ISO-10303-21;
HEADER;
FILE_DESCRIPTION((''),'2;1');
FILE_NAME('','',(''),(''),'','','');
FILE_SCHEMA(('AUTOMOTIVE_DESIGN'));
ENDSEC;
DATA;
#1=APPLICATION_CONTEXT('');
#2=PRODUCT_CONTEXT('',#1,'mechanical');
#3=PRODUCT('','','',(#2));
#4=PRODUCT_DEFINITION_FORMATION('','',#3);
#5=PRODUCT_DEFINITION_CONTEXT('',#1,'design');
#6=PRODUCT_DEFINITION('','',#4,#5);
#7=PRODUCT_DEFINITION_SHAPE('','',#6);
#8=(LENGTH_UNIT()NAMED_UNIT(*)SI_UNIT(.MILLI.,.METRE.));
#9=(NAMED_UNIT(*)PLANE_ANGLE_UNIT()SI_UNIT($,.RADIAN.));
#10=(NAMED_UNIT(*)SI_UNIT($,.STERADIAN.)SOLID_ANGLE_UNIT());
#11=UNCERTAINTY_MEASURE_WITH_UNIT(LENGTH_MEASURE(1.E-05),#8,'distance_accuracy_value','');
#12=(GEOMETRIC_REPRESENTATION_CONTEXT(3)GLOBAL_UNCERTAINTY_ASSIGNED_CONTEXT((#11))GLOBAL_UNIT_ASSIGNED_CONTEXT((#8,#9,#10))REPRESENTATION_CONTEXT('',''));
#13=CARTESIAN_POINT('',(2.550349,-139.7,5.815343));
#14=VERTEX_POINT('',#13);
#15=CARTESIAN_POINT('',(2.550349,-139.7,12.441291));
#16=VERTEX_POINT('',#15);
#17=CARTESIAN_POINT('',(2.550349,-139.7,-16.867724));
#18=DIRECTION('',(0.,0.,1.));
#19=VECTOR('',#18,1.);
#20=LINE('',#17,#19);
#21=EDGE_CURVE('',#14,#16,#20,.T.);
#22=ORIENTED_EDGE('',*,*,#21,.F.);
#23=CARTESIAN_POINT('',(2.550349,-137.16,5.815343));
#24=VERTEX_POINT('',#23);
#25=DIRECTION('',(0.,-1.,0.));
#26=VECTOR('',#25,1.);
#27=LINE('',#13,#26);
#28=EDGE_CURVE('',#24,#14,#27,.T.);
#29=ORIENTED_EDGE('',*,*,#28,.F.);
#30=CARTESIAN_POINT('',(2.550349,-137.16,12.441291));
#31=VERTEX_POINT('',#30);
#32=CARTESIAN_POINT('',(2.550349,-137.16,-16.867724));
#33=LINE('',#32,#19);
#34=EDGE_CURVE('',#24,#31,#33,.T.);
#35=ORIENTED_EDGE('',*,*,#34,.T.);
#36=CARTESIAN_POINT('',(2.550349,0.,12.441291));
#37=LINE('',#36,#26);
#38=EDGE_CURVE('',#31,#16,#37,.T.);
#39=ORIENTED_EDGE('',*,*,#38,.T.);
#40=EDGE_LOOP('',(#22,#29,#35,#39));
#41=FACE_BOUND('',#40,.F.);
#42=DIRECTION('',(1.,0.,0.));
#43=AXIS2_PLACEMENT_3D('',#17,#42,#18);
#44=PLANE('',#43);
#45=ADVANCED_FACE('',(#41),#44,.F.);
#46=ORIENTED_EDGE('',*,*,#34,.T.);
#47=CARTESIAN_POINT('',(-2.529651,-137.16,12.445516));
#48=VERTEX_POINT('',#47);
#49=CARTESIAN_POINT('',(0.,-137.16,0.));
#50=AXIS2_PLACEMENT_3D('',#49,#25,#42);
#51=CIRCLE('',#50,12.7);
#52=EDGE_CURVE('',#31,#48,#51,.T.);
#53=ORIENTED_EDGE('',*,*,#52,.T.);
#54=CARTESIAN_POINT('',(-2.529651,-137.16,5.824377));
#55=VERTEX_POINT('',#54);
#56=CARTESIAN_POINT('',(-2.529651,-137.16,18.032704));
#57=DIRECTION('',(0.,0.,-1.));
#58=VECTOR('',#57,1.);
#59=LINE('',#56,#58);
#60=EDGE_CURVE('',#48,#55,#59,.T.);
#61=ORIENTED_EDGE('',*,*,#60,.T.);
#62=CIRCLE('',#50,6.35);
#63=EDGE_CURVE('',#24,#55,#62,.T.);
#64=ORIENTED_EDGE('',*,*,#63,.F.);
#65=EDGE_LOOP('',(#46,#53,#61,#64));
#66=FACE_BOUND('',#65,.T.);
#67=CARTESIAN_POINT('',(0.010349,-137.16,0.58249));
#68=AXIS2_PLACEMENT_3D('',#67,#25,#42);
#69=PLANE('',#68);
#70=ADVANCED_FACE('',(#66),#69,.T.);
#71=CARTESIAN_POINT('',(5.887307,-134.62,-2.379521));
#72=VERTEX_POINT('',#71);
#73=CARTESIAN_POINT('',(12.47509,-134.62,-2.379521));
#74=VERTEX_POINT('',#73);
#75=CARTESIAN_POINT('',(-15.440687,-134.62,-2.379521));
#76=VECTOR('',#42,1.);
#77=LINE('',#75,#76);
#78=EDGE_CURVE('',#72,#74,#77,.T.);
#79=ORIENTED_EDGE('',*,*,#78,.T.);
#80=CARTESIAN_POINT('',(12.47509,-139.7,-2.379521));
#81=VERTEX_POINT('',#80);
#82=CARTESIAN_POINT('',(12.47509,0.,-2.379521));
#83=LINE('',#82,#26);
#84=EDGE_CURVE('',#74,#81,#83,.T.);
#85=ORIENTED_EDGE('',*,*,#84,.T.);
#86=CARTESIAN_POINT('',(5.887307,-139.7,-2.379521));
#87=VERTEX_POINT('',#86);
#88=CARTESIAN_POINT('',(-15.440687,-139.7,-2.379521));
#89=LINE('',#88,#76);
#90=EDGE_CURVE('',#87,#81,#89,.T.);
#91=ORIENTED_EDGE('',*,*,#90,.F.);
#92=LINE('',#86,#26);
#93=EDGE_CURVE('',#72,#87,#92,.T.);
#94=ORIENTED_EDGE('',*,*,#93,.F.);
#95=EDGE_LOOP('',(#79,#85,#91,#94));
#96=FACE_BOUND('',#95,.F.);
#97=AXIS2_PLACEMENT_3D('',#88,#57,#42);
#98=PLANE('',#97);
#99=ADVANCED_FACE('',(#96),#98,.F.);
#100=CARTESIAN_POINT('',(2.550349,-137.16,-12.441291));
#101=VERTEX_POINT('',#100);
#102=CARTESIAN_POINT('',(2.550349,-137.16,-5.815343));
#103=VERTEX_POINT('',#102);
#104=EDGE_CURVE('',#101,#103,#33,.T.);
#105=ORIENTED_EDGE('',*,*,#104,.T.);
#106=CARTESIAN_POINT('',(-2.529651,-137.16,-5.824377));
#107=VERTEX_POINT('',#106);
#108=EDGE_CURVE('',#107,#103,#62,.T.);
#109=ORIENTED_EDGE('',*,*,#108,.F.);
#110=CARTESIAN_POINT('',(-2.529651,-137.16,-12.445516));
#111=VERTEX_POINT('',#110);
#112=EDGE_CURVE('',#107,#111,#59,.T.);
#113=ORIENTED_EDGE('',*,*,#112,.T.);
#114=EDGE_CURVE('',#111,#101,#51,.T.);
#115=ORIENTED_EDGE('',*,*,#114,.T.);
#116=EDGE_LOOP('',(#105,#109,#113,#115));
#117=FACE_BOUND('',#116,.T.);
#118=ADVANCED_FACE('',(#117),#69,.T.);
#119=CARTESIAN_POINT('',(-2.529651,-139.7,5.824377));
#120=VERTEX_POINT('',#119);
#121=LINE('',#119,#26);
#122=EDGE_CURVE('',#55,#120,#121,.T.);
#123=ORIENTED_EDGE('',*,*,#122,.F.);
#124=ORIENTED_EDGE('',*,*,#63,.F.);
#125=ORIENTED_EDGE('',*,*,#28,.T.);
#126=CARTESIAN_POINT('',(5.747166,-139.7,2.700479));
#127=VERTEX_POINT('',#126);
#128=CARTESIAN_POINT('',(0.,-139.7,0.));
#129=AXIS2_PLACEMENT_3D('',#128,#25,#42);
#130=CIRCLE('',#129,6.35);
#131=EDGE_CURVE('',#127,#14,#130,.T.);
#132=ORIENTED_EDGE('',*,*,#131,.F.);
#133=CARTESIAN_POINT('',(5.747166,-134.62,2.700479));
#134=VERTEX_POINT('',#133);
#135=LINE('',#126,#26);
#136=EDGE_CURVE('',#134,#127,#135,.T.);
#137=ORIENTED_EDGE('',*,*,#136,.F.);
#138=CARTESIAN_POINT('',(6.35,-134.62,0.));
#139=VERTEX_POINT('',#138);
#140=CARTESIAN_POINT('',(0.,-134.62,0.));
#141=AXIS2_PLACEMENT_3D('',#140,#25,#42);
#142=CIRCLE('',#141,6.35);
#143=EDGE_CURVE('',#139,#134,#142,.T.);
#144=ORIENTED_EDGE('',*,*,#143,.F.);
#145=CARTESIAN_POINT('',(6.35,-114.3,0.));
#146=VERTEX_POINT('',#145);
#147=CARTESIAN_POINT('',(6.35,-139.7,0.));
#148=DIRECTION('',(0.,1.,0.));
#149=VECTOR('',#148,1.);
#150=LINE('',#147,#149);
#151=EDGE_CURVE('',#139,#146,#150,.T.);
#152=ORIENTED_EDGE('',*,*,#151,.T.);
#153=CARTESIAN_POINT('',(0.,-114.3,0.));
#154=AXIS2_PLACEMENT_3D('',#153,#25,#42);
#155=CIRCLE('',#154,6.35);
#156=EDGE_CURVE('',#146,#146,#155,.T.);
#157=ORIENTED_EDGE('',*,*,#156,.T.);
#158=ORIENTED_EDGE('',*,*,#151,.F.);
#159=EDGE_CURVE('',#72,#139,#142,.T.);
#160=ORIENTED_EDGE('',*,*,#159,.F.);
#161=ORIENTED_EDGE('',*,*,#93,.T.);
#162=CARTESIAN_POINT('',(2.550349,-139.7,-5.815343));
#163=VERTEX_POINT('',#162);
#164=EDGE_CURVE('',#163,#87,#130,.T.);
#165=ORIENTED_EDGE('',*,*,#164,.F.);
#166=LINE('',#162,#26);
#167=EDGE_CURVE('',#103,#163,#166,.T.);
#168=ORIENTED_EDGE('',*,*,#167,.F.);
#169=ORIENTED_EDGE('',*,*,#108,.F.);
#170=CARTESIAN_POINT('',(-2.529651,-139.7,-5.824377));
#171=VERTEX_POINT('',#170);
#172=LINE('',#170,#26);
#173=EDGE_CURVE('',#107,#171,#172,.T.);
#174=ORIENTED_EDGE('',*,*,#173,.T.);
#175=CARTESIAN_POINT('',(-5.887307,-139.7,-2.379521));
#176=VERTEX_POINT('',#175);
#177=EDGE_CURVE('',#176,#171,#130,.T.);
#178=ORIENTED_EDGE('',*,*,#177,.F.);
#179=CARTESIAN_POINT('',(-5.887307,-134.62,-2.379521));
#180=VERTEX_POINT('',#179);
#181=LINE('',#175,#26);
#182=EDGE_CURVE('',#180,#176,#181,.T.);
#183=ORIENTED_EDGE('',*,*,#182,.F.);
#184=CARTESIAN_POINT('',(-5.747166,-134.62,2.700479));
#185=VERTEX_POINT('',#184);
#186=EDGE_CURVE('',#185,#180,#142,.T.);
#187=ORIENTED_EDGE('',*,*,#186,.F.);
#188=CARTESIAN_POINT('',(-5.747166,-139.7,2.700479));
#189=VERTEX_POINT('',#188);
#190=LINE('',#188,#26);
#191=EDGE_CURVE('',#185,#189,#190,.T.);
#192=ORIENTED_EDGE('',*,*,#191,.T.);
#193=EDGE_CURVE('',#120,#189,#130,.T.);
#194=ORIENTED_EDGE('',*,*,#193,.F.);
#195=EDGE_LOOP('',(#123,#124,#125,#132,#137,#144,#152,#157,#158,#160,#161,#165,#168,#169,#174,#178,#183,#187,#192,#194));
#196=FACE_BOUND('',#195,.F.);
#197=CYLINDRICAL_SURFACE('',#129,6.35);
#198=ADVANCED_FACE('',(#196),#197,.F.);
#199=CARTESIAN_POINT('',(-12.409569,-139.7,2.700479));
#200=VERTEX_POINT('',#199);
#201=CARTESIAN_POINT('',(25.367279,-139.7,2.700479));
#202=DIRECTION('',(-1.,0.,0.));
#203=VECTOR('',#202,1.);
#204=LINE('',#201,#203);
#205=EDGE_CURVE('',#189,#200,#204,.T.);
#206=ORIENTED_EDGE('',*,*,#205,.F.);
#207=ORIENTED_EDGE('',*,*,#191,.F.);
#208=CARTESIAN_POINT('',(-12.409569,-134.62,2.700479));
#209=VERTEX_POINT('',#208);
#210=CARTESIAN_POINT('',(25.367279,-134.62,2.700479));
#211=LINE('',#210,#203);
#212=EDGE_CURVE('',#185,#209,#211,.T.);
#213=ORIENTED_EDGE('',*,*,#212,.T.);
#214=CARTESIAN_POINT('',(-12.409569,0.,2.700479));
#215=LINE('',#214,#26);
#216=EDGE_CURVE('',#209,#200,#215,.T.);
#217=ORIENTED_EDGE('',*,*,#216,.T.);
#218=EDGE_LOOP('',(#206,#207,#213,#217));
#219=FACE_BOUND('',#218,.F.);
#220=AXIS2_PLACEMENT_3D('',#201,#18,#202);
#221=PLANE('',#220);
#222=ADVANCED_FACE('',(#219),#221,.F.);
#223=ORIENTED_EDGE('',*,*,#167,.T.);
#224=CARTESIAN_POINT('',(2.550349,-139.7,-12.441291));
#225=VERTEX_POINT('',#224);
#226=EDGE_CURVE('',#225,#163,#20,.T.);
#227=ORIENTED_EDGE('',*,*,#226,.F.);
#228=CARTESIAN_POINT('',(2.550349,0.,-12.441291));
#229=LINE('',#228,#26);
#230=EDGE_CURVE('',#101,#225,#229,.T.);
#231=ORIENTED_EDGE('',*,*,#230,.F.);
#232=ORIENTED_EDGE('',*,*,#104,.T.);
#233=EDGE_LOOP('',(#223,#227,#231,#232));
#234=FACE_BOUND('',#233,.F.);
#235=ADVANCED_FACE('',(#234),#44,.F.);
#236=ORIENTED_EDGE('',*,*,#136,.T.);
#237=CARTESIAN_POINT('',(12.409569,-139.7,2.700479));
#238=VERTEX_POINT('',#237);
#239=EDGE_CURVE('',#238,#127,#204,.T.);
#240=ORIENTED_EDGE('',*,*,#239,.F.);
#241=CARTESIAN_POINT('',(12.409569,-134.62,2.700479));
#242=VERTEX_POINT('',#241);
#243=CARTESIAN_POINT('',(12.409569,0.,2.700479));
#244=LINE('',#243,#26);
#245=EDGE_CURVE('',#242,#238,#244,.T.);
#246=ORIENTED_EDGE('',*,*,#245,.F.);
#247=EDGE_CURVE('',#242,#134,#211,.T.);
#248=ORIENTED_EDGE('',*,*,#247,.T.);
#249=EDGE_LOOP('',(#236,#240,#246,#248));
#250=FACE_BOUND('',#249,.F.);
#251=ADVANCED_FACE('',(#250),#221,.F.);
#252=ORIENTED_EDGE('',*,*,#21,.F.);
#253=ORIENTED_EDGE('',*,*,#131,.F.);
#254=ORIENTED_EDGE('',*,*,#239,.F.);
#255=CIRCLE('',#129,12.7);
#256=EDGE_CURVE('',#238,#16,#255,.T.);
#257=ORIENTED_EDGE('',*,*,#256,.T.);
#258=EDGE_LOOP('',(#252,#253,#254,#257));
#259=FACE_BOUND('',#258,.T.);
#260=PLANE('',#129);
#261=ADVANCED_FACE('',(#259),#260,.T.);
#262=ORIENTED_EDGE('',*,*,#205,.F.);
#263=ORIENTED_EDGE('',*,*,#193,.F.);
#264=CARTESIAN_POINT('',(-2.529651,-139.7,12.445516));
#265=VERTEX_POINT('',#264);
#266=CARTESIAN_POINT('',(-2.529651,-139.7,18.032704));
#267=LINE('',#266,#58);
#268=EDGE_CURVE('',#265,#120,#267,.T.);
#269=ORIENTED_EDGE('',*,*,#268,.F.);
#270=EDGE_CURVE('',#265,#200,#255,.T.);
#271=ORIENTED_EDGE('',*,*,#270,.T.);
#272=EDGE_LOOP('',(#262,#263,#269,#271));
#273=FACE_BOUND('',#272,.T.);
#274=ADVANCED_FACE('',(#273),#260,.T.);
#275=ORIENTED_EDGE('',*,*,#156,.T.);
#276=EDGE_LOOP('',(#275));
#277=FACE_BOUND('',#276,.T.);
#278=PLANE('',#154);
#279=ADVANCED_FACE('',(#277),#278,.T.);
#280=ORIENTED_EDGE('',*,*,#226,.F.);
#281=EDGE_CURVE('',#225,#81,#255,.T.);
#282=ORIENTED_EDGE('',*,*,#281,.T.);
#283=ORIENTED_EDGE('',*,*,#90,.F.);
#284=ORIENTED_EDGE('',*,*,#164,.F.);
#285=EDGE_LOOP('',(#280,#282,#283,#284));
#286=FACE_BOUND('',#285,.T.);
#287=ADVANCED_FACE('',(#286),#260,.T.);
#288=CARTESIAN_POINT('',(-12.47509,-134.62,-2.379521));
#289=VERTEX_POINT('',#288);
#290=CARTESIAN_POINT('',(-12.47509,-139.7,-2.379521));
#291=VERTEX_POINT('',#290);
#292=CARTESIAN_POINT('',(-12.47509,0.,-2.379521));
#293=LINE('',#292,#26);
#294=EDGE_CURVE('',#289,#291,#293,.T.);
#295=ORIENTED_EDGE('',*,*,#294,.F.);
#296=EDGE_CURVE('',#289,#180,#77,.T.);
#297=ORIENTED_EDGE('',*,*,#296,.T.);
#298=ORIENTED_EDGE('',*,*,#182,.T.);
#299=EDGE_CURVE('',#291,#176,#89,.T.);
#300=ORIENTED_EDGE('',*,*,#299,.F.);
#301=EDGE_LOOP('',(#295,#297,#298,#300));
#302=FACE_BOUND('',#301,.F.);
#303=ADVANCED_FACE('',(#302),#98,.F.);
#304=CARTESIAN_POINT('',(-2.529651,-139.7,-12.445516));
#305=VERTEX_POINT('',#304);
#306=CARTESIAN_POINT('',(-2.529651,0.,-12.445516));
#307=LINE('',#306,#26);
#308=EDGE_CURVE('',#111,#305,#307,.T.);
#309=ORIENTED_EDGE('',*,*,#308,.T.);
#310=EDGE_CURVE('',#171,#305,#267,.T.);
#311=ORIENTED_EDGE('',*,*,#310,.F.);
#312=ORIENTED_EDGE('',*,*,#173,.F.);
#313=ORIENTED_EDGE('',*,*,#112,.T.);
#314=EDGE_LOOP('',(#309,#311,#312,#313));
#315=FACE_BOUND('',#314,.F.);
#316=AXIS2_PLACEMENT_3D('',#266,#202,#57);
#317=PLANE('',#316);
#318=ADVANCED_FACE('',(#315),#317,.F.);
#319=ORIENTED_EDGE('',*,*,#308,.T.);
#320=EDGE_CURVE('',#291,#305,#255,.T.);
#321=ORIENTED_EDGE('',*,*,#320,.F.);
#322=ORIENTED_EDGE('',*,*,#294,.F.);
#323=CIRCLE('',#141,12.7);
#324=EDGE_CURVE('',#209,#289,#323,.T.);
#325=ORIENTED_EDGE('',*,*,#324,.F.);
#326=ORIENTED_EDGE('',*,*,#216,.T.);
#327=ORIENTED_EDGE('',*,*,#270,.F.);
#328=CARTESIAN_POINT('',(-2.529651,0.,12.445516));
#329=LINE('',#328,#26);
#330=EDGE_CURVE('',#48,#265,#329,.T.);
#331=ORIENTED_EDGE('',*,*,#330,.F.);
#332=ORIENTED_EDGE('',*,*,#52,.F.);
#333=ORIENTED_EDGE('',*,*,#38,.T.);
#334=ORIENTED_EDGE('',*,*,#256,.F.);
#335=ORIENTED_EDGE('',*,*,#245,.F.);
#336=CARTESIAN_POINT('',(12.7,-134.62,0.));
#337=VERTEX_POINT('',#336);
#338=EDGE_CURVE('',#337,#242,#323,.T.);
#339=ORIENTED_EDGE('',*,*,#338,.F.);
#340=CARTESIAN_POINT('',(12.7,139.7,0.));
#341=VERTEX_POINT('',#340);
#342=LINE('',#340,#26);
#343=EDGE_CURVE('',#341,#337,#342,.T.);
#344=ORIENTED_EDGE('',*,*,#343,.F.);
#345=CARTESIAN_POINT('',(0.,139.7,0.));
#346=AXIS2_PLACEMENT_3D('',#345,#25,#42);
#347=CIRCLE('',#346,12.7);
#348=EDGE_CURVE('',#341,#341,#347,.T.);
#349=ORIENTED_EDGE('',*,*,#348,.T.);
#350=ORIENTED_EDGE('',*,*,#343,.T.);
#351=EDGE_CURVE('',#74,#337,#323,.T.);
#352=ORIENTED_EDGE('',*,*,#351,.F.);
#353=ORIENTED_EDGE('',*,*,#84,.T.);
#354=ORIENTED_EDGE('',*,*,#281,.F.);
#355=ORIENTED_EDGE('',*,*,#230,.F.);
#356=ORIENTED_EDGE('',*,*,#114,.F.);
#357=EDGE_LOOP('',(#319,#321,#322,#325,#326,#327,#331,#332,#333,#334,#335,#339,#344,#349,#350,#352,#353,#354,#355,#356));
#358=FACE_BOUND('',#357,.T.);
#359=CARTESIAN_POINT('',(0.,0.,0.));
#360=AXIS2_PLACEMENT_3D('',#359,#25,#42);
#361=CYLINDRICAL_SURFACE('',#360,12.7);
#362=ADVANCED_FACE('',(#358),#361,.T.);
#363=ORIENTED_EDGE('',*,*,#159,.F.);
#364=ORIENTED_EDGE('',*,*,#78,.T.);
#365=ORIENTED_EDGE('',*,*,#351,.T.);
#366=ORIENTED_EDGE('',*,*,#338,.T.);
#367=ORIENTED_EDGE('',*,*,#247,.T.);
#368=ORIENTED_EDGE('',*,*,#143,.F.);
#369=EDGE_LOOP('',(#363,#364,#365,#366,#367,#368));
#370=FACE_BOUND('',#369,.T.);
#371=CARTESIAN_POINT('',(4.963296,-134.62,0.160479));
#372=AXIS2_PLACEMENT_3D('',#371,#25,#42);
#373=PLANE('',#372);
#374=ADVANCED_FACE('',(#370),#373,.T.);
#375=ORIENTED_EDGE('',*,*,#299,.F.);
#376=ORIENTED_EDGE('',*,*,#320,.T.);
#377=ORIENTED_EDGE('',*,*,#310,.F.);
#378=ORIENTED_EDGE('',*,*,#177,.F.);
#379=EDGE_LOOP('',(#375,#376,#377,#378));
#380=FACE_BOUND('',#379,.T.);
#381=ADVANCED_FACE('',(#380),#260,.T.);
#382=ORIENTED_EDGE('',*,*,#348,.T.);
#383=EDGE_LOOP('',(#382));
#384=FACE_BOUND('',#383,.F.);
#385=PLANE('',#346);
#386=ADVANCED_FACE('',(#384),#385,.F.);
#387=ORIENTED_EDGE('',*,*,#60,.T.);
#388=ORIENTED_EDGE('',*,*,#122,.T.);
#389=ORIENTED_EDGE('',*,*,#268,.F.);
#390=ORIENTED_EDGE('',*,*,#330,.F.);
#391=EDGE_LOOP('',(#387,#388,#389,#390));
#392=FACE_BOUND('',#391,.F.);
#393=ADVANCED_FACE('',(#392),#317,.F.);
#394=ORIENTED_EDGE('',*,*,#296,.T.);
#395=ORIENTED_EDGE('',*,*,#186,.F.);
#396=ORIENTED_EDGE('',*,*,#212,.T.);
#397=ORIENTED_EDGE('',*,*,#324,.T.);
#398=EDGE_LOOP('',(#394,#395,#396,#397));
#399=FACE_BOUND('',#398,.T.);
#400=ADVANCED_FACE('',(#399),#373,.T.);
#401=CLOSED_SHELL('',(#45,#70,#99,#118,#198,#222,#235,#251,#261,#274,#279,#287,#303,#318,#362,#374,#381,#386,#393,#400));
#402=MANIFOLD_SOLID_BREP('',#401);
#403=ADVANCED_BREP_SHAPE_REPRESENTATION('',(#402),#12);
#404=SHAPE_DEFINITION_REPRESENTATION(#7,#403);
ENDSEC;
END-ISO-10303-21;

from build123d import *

# Parameters (mm, degrees)
F0_R     = 12.7
F1_DEPTH = 139.7
F2_R     = 6.35
F3_DEPTH = 25.4
F5_DEPTH = 2.54
F7_DEPTH = 5.08


with BuildPart() as f1:
    # F0 (on Front) → F1 (new body, symmetric)
    with BuildSketch(Plane.XZ):
        Circle(F0_R)
    extrude(amount=F1_DEPTH, both=True)

    # F2 (on face) → F3 (cut)
    with BuildSketch(Plane.XZ.offset(139.7)):
        Circle(F2_R)
    extrude(amount=-F3_DEPTH, mode=Mode.SUBTRACT)

    # F4 (on face) → F5 (cut)
    with BuildSketch(Plane.XZ.offset(139.7)):
        Polygon((-2.529651, 18.032704), (-2.529651, 12.445516), (-2.529651, -12.445516), (-2.529651, -16.867724), (2.550349, -16.867724), (2.550349, -12.441291), (2.550349, 12.445516), (2.550349, 18.032704), align=None)
    extrude(amount=-F5_DEPTH, mode=Mode.SUBTRACT)

    # F6 (on face) → F7 (cut)
    with BuildSketch(Plane.XZ.offset(139.7)):
        Polygon((25.367279, -2.379521), (25.367279, 0), (25.367279, 2.700479), (-15.440687, 2.700479), (-15.440687, -2.379521), align=None)
    extrude(amount=-F7_DEPTH, mode=Mode.SUBTRACT)


solid = f1.part
